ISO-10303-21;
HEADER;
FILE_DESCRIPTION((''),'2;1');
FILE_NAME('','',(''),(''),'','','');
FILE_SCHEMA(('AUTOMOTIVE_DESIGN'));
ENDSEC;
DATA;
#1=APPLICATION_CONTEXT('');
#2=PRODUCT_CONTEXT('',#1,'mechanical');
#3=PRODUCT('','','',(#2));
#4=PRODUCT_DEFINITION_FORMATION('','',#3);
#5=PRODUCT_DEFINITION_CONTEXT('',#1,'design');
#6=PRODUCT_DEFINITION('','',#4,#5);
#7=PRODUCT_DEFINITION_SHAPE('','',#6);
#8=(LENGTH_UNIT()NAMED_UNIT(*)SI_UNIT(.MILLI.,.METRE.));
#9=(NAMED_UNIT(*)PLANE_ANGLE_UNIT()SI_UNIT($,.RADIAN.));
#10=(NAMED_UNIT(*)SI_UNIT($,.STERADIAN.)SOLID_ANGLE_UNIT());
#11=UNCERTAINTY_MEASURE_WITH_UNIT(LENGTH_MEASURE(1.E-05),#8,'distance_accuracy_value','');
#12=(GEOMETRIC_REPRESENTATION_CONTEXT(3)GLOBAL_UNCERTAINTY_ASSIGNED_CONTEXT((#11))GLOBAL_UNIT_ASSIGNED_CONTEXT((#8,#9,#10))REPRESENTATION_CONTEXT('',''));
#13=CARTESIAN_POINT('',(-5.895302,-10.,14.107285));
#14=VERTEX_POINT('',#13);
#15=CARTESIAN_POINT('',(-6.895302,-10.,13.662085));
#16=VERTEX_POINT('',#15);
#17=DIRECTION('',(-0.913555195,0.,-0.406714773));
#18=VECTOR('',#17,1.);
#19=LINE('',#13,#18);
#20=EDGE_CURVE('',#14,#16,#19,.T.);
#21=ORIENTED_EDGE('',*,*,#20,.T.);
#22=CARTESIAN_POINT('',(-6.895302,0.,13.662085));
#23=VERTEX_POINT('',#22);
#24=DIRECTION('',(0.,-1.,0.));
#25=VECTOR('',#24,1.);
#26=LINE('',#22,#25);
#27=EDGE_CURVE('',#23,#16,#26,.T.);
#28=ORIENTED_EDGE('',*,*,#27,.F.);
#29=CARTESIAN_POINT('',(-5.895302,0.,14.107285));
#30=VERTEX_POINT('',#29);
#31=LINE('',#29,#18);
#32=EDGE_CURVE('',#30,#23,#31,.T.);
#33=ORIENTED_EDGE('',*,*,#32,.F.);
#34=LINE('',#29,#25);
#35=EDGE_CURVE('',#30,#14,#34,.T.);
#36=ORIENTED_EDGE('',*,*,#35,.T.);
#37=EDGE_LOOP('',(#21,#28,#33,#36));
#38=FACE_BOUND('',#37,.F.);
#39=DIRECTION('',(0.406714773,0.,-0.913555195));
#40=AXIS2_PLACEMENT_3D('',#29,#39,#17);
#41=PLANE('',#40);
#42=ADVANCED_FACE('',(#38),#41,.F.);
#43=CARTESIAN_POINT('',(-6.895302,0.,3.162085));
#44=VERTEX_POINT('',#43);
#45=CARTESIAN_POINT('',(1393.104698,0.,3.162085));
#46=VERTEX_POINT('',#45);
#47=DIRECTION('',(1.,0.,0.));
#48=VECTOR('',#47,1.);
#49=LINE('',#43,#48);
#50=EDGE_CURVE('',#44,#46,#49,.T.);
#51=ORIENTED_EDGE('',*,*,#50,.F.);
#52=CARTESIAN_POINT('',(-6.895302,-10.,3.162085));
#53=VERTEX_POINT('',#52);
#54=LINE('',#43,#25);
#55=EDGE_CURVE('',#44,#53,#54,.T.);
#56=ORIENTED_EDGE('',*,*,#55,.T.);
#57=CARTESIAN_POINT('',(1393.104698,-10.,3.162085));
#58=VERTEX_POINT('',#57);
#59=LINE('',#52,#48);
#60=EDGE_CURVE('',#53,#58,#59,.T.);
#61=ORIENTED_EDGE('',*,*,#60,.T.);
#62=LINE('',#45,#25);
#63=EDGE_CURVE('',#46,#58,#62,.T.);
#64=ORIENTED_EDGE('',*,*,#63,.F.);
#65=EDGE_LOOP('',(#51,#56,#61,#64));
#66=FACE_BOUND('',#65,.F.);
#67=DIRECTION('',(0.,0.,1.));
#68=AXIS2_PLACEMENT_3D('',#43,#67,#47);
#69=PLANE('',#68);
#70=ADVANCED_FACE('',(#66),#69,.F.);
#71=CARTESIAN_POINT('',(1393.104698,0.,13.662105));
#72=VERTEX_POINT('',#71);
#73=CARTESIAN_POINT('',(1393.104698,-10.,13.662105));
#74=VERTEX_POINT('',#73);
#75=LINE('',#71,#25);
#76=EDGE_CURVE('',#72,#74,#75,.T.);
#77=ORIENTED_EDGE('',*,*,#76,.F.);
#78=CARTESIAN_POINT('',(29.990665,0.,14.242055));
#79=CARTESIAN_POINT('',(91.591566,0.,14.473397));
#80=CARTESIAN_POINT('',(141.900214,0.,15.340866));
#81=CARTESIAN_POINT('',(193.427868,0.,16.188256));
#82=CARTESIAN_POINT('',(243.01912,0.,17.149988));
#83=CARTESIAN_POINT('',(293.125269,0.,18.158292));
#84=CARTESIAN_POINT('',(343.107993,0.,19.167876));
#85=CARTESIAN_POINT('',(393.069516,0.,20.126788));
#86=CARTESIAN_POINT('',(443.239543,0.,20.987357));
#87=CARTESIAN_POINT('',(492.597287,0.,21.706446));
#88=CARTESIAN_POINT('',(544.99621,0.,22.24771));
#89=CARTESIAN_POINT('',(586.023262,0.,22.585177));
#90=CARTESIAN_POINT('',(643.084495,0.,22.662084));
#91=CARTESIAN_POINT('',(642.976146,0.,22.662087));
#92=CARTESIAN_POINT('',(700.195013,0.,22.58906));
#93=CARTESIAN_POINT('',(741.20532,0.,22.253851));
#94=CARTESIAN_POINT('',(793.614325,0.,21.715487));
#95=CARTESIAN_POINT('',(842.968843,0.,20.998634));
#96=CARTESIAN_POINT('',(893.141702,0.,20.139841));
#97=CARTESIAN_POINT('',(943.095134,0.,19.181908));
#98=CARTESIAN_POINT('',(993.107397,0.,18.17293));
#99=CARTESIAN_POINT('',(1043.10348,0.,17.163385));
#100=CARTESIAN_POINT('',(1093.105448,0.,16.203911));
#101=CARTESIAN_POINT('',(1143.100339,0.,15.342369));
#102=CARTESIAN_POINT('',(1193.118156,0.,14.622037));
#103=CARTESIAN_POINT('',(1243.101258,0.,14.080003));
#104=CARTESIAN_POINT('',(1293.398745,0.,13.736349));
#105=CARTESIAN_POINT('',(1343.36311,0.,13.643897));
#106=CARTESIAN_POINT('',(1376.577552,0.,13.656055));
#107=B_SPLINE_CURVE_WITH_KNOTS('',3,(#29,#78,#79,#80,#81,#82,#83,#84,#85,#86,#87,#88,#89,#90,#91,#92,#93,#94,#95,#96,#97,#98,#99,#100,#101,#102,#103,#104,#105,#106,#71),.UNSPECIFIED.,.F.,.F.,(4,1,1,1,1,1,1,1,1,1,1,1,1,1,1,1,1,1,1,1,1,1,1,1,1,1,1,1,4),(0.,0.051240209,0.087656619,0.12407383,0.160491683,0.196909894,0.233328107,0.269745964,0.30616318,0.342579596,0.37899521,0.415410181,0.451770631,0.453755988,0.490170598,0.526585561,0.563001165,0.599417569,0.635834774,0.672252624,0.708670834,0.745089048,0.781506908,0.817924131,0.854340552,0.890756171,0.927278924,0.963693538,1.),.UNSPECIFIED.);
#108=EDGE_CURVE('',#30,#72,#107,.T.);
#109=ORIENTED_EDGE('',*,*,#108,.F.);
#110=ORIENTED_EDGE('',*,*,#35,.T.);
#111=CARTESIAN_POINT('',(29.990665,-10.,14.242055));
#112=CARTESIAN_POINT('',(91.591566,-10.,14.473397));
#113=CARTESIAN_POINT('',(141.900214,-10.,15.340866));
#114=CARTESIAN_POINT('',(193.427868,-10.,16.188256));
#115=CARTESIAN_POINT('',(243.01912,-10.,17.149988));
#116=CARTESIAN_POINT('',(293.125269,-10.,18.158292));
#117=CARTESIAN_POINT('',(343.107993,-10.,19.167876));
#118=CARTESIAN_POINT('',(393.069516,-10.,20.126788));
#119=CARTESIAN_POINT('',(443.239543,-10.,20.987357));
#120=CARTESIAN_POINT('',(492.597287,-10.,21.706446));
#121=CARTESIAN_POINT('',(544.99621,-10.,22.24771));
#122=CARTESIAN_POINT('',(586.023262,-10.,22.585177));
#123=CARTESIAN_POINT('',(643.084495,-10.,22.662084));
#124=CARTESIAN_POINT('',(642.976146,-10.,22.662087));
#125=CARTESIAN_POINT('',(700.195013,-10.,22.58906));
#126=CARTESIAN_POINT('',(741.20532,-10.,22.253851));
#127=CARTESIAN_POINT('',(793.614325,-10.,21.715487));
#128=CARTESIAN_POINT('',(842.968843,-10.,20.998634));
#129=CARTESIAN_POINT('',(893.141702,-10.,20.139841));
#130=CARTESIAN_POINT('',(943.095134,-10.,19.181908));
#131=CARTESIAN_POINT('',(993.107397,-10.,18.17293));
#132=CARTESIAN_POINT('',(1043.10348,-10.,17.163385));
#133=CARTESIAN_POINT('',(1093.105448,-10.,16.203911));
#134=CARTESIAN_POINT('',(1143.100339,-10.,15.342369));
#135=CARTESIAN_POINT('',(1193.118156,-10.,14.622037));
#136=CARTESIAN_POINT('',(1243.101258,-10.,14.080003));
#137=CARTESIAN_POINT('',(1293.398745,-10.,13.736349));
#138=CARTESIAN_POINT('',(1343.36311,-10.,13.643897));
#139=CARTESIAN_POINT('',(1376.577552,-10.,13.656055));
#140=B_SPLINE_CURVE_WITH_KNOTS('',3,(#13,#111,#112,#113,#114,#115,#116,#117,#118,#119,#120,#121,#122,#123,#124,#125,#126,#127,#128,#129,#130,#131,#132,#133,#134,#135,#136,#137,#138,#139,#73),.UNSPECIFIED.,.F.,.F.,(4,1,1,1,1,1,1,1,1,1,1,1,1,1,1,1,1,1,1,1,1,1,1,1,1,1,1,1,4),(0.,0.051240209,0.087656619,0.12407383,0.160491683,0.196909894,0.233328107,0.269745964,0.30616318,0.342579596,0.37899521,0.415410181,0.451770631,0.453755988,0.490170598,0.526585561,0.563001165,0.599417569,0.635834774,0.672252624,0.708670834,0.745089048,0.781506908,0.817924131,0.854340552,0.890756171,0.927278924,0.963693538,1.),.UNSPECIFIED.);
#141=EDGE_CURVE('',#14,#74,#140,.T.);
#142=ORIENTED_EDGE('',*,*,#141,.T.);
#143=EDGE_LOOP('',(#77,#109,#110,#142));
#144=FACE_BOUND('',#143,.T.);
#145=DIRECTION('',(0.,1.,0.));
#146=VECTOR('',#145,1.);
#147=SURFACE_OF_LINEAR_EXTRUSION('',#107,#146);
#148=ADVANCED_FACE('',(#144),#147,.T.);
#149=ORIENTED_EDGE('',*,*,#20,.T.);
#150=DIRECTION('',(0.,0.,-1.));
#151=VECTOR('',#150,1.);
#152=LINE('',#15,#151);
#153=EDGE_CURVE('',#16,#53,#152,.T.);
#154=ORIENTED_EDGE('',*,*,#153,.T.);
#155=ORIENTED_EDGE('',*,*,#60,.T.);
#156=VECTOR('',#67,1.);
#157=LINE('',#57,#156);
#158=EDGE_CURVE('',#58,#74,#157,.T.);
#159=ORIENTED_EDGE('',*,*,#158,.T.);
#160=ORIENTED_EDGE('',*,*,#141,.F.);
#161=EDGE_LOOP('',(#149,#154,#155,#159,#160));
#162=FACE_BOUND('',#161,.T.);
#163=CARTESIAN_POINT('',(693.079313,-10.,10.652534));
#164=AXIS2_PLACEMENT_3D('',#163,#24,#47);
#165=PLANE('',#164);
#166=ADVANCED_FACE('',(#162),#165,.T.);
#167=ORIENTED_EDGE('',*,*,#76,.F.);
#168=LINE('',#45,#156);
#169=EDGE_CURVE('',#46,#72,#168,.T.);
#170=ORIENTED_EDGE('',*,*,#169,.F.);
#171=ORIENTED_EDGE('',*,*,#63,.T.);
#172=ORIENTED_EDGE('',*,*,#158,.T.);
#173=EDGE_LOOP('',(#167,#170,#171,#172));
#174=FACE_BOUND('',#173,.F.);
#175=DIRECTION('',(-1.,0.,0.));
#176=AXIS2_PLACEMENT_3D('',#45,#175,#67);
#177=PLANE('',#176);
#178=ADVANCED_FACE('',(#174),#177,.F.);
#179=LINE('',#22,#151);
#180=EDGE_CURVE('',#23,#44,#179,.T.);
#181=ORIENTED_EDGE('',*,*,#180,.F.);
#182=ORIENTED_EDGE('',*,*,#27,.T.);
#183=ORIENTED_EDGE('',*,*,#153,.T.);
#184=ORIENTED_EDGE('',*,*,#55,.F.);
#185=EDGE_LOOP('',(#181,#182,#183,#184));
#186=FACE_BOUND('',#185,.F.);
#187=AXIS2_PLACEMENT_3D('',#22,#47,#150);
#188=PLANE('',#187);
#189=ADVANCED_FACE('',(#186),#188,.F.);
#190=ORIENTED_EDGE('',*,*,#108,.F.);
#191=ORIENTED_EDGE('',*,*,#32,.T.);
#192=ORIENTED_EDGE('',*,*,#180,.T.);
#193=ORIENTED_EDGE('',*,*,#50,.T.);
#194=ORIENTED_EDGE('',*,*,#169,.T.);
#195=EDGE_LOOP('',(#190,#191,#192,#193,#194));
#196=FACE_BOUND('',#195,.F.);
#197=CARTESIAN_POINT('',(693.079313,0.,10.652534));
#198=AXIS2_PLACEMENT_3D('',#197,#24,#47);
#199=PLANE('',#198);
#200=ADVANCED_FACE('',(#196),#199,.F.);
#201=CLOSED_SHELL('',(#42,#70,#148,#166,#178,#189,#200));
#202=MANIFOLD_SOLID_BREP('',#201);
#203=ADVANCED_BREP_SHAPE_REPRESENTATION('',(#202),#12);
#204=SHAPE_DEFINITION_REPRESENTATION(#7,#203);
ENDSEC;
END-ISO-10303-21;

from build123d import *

# Parameters (mm, degrees)
F1_DEPTH = 10


with BuildPart() as f1:
    # F0 (on Front) → F1 (new body)
    with BuildSketch(Plane.XZ):
        with BuildLine():
            Line((-5.8953024867, 14.1072854735), (-6.8953024867, 13.6620854735))
            Line((-6.8953024867, 13.6620854735), (-6.8953024867, 3.1620854735))
            Line((-6.8953024867, 3.1620854735), (1393.1046975133, 3.1620854735))
            Line((1393.1046975133, 3.1620854735), (1393.1046975133, 13.6621054735))
            add(Edge.make_bspline(
                [(-5.8953024867, 14.1072854735), (29.9906654198, 14.2420551234), (91.591565835, 14.4733972076), (141.9002138501, 15.3408660653), (193.4278682402, 16.1882563098), (243.0191203382, 17.1499881461), (293.1252693824, 18.1582921744), (343.1079926995, 19.1678760959), (393.0695156789, 20.1267882811), (443.2395433834, 20.9873568341), (492.5972873247, 21.7064463935), (544.9962097011, 22.2477096191), (586.023262229, 22.5851773746), (643.0844953953, 22.6620840324), (642.9761456542, 22.66208707), (700.1950132061, 22.5890604831), (741.2053200817, 22.2538505921), (793.6143250533, 21.7154870366), (842.968842733, 20.998633511), (893.1417021241, 20.1398409863), (943.0951335833, 19.1819084233), (993.1073968367, 18.172929813), (1043.1034800141, 17.1633848487), (1093.1054479308, 16.2039114515), (1143.100338967, 15.3423688671), (1193.1181557235, 14.6220368337), (1243.1012581223, 14.0800032937), (1293.3987452877, 13.7363492657), (1343.36311001, 13.6438965406), (1376.5775516171, 13.6560553712), (1393.1046975133, 13.6621054735)],
                knots=[0, 0, 0, 0, 0.0512402091, 0.087656619, 0.1240738299, 0.1604916834, 0.1969098944, 0.2333281066, 0.2697459638, 0.30616318, 0.3425795957, 0.3789952102, 0.4154101809, 0.4517706311, 0.4537559883, 0.4901705977, 0.5265855611, 0.563001165, 0.5994175689, 0.6358347744, 0.6722526244, 0.708670834, 0.7450890475, 0.7815069084, 0.8179241305, 0.8543405516, 0.8907561713, 0.9272789243, 0.9636935376, 1, 1, 1, 1], degree=3))
        make_face()
    extrude(amount=F1_DEPTH)


solid = f1.part
